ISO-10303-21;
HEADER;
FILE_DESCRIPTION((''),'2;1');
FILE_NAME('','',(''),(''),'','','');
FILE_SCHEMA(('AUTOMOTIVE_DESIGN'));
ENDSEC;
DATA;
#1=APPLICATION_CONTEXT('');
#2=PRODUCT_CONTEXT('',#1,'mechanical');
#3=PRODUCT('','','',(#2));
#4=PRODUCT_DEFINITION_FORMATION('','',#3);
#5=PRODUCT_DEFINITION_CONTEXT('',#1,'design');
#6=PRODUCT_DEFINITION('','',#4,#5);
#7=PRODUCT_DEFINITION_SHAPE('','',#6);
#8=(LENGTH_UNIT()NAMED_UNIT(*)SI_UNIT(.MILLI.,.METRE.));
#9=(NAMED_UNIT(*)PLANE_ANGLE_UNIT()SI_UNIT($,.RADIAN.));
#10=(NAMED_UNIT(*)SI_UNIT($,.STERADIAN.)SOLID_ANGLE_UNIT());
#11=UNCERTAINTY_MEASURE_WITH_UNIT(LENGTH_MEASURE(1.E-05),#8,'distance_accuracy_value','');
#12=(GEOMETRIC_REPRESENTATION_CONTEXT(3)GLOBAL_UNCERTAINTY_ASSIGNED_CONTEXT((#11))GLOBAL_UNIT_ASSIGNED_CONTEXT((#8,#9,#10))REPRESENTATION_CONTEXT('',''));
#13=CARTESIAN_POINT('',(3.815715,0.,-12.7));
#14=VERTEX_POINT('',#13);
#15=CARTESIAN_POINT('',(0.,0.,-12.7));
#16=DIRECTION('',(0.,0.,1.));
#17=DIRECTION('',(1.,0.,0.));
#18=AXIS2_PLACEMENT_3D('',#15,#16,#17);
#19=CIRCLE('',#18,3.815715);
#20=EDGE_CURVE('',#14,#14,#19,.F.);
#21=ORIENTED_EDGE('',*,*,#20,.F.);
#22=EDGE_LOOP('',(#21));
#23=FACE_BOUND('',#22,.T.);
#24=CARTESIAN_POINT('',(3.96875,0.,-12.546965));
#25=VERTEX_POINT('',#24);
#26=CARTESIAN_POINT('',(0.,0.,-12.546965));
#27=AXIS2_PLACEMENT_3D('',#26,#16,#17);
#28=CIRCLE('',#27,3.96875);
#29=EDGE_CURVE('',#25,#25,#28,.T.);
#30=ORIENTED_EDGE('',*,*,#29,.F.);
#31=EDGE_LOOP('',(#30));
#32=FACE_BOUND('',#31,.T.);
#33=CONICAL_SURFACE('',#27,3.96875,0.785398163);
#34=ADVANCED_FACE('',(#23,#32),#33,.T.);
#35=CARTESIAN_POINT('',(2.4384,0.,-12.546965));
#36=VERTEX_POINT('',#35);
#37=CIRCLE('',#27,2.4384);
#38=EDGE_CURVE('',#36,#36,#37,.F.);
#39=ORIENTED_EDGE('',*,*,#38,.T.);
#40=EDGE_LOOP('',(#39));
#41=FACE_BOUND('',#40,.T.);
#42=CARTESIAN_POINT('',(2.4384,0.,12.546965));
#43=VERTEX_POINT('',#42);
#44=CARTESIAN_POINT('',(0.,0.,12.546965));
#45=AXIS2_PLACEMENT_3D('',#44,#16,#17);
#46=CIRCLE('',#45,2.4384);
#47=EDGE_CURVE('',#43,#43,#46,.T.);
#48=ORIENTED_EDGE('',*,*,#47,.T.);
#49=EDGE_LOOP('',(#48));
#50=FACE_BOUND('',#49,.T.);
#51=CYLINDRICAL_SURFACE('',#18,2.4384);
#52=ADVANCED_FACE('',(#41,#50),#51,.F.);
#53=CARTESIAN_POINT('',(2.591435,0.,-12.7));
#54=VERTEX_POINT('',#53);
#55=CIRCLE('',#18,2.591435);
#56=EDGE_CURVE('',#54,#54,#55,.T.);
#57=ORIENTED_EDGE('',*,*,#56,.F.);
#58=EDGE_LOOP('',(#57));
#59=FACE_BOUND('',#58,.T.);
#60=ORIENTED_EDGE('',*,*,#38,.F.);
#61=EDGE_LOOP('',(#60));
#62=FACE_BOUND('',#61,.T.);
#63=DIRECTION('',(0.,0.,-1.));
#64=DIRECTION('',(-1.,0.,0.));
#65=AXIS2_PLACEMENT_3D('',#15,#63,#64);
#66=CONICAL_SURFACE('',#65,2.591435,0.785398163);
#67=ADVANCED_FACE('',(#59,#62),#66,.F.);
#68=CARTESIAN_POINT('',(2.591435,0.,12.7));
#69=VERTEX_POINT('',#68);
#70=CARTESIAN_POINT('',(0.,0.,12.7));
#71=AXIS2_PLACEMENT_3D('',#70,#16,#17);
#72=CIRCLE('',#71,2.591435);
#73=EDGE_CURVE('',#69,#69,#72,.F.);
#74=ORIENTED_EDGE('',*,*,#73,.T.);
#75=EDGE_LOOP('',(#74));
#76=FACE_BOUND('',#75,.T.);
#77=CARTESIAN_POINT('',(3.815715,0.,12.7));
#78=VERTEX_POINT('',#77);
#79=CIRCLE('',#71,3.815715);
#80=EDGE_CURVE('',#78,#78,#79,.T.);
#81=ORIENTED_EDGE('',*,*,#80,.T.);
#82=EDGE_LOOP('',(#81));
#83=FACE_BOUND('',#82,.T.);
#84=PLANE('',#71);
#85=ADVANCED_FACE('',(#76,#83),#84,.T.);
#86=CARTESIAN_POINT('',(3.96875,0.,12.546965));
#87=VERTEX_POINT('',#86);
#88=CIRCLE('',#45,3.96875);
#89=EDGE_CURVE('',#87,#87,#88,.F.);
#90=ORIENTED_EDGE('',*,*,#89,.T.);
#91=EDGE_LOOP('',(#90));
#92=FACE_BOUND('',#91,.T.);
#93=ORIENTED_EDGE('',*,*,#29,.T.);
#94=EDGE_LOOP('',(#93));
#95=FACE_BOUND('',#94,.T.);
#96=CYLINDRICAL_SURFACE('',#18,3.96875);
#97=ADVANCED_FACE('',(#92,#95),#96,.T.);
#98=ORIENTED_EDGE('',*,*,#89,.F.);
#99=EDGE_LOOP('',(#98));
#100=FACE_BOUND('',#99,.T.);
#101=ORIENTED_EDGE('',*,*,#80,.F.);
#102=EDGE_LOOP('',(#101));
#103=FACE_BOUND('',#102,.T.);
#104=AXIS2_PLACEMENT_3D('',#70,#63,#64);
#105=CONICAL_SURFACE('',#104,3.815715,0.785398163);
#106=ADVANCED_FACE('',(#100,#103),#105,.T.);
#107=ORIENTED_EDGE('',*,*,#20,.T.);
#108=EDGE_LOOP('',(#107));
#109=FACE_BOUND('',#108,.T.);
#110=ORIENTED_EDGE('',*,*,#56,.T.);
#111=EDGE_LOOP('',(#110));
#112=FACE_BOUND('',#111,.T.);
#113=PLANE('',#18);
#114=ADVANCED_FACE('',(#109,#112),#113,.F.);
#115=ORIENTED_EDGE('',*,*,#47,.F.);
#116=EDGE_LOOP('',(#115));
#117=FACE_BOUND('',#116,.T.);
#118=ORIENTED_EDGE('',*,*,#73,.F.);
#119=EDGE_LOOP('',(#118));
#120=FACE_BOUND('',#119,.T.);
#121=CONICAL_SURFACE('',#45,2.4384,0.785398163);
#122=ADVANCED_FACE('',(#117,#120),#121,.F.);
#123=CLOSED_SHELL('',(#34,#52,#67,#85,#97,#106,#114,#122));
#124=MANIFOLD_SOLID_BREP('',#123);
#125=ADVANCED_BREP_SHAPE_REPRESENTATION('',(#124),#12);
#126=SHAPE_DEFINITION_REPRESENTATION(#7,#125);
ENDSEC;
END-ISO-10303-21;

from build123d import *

# Parameters (mm, degrees)
BOSS_EXTRUDE1_DEPTH      = 12.7
BOSS_EXTRUDE1_DEPTH_BACK = 12.7
SKETCH3_R                = 3.96875
SKETCH3_R_2              = 2.4384
CHAMFER1_SIZE            = 0.153035


with BuildPart() as part:
    # Sketch3 → Boss-Extrude1 (new, two sides: drawn at the far end of the back side and taken through both)
    with BuildSketch(Plane.XY.offset(-BOSS_EXTRUDE1_DEPTH_BACK)):
        Circle(SKETCH3_R)
        Circle(SKETCH3_R_2, mode=Mode.SUBTRACT)
    extrude(amount=BOSS_EXTRUDE1_DEPTH + BOSS_EXTRUDE1_DEPTH_BACK)

    # Chamfer1
    chamfer1_edges = [part.edges().sort_by_distance(p)[0] for p in [
        (-3.96875, 0, -12.7),
        (-2.4384, 0, -12.7),
        (-3.96875, 0, 12.7),
        (-2.4384, 0, 12.7),
    ]]
    chamfer(chamfer1_edges, length=CHAMFER1_SIZE)


solid = part.part
